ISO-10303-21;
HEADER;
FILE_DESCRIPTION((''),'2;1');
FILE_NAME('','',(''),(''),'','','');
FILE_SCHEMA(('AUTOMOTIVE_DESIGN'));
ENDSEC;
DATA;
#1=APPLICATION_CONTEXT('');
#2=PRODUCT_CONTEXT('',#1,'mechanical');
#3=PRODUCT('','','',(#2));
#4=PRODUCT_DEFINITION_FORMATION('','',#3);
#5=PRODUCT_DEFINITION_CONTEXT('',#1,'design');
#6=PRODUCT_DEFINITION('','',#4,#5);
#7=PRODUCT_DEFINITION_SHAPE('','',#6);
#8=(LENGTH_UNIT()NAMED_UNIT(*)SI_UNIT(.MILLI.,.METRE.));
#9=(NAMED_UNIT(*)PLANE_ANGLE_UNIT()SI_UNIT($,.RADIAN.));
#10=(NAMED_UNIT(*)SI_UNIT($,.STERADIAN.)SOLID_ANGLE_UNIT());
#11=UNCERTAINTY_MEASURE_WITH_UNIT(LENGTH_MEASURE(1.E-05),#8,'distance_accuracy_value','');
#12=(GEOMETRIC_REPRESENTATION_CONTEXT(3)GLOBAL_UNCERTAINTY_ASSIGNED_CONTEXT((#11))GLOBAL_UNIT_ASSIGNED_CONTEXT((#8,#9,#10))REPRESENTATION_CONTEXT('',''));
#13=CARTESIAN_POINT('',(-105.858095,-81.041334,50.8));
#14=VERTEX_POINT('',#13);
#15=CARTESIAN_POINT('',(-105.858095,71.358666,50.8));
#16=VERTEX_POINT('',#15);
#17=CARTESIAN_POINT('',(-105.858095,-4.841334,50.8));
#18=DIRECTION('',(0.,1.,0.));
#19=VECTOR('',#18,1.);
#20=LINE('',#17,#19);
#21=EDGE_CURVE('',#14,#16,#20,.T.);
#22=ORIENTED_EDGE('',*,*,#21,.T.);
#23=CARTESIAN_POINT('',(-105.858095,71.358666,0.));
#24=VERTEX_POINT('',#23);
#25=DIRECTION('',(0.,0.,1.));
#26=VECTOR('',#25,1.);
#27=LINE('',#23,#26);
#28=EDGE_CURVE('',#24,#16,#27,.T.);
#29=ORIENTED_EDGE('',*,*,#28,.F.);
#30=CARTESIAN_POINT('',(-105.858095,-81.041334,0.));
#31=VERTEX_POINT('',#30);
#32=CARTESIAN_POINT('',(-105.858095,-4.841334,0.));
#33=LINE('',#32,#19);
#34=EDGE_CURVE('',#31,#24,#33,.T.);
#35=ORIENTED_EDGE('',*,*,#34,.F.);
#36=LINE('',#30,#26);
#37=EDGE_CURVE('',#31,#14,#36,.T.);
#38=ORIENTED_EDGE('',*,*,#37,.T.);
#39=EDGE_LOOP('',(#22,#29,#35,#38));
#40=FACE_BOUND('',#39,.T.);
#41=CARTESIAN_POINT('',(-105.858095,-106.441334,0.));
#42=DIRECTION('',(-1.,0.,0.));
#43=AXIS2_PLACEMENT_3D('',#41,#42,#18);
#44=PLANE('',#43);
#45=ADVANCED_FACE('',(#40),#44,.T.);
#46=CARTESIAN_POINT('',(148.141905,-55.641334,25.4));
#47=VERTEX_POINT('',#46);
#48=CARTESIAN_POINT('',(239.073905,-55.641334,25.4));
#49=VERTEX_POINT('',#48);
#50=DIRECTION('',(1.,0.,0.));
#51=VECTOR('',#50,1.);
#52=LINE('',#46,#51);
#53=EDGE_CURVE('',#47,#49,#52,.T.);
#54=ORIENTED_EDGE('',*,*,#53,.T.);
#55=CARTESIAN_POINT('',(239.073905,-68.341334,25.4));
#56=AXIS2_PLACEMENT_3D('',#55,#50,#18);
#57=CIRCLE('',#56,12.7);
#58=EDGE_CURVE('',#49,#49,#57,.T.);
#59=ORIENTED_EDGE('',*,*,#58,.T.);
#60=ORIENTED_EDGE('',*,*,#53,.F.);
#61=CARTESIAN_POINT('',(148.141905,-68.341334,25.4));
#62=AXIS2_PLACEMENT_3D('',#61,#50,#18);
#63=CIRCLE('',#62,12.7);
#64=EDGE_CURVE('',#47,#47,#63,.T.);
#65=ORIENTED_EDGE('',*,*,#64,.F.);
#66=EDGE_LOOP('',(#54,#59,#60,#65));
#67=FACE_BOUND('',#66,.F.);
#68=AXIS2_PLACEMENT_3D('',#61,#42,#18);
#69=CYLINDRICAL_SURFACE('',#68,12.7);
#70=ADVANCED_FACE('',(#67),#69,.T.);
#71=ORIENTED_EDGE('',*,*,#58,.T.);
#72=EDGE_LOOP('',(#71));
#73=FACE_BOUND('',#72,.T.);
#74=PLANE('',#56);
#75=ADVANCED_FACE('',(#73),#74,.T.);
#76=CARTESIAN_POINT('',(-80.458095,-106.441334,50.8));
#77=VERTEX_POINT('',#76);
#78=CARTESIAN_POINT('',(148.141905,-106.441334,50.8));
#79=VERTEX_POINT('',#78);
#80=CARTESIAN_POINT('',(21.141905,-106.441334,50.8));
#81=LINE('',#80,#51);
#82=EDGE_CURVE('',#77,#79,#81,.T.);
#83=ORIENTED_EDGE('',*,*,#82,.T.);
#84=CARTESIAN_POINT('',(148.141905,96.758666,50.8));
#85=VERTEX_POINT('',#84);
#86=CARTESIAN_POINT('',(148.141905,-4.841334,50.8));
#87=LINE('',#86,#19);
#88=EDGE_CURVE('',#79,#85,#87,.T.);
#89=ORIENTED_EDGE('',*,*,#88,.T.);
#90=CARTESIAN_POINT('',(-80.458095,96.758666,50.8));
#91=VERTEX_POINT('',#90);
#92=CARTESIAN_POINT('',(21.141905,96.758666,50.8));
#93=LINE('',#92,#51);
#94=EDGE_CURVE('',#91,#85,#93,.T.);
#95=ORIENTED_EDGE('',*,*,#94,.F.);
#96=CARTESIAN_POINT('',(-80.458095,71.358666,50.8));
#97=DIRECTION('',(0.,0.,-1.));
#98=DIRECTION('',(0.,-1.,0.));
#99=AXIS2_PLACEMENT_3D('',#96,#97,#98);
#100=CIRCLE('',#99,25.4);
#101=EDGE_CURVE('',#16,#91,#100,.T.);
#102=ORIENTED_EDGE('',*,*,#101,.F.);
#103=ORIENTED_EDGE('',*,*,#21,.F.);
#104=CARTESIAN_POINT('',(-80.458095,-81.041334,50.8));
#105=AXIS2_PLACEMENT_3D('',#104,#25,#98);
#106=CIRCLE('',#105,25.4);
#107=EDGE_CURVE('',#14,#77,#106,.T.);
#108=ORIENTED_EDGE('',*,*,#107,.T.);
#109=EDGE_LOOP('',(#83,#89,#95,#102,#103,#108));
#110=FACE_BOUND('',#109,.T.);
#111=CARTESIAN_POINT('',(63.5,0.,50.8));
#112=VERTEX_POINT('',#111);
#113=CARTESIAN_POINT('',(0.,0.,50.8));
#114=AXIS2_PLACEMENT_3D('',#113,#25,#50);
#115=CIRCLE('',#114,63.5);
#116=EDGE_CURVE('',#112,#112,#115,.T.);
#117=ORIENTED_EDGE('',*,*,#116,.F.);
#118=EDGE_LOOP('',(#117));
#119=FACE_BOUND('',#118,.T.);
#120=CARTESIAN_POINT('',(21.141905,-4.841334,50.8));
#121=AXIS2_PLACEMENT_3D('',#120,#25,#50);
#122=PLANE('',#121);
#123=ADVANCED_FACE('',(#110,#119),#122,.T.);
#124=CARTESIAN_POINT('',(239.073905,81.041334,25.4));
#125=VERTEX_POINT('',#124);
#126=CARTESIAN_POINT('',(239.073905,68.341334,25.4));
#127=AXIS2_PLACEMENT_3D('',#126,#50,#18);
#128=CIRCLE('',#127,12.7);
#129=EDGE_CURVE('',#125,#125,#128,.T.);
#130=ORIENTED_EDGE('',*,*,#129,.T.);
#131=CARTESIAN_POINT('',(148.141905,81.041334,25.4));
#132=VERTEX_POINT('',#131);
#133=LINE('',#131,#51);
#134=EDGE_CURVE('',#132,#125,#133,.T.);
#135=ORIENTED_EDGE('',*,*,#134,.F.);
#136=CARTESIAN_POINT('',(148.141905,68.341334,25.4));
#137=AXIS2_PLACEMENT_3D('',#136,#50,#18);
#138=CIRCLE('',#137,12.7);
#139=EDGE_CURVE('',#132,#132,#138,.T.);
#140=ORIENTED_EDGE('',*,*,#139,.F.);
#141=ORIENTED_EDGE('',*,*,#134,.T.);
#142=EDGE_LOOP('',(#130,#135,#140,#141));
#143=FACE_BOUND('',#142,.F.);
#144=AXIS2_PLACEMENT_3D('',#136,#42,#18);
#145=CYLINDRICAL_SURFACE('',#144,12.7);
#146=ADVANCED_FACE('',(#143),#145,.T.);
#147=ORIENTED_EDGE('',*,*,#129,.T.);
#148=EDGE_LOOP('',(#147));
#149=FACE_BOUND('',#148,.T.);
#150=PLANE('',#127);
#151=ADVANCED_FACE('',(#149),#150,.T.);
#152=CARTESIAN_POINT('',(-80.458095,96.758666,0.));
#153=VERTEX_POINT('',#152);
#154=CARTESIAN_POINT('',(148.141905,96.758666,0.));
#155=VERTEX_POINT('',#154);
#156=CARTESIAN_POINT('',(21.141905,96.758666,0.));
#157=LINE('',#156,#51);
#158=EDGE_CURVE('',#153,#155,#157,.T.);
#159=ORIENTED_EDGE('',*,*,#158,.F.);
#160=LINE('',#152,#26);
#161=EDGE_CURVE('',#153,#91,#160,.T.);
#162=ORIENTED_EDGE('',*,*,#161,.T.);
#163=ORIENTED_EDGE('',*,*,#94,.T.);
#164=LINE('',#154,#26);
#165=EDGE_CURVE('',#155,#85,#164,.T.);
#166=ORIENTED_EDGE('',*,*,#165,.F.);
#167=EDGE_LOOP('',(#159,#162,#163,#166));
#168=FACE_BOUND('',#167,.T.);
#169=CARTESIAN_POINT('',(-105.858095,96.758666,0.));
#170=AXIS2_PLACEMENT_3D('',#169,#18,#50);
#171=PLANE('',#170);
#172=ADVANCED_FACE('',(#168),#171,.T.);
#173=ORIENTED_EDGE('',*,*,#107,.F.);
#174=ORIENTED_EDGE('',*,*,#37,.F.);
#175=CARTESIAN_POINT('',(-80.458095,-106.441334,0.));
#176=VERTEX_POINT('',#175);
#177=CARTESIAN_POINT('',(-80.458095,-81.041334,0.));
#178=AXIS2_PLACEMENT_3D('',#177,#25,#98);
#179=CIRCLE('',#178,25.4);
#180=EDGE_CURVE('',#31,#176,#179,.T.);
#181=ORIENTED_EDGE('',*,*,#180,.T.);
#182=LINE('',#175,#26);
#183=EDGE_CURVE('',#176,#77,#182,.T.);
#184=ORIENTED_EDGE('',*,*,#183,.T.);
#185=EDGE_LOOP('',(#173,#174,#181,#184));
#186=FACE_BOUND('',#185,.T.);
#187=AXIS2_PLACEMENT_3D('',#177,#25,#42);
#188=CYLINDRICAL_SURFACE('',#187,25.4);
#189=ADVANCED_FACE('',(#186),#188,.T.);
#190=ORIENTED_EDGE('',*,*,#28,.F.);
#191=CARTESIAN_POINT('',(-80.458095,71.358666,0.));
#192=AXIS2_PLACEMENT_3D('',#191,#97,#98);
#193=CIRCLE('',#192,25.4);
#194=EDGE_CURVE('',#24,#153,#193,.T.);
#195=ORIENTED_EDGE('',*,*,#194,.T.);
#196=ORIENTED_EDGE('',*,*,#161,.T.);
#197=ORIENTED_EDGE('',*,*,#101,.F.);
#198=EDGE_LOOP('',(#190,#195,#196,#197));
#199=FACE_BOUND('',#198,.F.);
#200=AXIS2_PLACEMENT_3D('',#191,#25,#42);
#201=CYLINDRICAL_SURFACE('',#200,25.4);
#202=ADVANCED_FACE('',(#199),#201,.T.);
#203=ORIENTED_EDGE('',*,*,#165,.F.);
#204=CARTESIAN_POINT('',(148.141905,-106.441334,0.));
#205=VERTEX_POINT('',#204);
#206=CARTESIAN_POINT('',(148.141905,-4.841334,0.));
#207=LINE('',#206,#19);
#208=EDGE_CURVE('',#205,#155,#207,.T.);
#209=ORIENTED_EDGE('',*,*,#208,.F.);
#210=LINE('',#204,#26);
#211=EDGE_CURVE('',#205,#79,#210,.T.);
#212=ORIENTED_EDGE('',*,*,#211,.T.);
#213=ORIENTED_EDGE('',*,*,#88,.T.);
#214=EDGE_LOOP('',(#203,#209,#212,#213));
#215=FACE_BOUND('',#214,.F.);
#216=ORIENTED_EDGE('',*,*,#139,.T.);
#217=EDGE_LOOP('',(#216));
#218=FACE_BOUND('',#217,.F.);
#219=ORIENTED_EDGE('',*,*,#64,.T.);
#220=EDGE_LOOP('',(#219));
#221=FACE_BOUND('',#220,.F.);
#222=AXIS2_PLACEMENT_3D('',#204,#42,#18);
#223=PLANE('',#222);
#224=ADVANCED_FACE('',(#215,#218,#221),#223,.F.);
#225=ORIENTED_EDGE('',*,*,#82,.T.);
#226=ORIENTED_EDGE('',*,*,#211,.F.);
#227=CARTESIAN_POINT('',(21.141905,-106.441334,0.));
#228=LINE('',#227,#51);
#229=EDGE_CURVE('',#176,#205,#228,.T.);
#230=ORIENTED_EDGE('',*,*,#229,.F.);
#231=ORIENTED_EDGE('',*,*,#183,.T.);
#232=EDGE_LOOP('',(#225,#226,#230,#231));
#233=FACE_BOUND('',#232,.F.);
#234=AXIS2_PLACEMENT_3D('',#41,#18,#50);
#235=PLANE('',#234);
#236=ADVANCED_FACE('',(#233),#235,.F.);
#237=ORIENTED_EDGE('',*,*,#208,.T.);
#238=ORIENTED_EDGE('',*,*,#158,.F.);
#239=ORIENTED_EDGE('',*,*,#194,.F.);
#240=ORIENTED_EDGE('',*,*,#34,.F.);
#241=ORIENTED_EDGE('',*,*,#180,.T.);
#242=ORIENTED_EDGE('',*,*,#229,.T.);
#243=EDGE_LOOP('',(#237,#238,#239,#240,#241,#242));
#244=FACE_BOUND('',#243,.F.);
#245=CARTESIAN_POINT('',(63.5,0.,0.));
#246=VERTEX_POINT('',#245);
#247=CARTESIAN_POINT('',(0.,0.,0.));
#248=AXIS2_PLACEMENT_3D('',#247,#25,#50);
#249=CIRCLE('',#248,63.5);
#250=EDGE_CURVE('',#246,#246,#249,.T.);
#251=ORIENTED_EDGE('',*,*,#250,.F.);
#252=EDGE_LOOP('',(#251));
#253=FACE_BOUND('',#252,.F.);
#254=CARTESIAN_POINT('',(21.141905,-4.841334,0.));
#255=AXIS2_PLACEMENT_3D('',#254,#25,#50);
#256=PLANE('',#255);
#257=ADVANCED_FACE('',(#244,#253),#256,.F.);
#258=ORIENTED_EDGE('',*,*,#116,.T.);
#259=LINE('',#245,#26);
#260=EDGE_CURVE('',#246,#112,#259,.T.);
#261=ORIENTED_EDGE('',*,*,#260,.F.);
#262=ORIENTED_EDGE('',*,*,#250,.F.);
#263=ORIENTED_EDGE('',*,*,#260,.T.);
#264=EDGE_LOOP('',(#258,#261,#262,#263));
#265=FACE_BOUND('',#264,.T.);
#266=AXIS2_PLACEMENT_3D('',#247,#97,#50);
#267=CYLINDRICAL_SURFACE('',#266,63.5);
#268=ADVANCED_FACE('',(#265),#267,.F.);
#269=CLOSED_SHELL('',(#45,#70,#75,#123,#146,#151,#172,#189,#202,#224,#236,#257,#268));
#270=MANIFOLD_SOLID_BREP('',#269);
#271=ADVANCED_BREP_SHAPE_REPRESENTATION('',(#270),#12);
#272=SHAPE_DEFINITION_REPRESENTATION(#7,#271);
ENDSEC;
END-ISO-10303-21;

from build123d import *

# Parameters (mm, degrees)
F0_W     = 254
F0_H     = 203.2
F0_R     = 63.5
F1_DEPTH = 50.8
F2_R     = 25.4
F3_R     = 12.7
F4_DEPTH = 90.932


with BuildPart() as f1:
    # F0 (on Top) → F1 (new body)
    with BuildSketch(Plane.XY):
        with Locations((21.141905, -4.841334)):
            Rectangle(F0_W, F0_H)
        Circle(F0_R, mode=Mode.SUBTRACT)
    extrude(amount=F1_DEPTH)

    # F2
    f2_edges = [f1.edges().sort_by_distance(p)[0] for p in [
        (-105.858095, 96.758666, 25.4),
        (-105.858095, -106.441334, 25.4),
    ]]
    fillet(f2_edges, radius=F2_R)

    # F3 (on face) → F4 (join)
    with BuildSketch(Plane.YZ.offset(148.141905)):
        with Locations((-68.341334, 25.4)):
            Circle(F3_R)
        with Locations((68.341334, 25.4)):
            Circle(F3_R)
    extrude(amount=F4_DEPTH)


solid = f1.part
